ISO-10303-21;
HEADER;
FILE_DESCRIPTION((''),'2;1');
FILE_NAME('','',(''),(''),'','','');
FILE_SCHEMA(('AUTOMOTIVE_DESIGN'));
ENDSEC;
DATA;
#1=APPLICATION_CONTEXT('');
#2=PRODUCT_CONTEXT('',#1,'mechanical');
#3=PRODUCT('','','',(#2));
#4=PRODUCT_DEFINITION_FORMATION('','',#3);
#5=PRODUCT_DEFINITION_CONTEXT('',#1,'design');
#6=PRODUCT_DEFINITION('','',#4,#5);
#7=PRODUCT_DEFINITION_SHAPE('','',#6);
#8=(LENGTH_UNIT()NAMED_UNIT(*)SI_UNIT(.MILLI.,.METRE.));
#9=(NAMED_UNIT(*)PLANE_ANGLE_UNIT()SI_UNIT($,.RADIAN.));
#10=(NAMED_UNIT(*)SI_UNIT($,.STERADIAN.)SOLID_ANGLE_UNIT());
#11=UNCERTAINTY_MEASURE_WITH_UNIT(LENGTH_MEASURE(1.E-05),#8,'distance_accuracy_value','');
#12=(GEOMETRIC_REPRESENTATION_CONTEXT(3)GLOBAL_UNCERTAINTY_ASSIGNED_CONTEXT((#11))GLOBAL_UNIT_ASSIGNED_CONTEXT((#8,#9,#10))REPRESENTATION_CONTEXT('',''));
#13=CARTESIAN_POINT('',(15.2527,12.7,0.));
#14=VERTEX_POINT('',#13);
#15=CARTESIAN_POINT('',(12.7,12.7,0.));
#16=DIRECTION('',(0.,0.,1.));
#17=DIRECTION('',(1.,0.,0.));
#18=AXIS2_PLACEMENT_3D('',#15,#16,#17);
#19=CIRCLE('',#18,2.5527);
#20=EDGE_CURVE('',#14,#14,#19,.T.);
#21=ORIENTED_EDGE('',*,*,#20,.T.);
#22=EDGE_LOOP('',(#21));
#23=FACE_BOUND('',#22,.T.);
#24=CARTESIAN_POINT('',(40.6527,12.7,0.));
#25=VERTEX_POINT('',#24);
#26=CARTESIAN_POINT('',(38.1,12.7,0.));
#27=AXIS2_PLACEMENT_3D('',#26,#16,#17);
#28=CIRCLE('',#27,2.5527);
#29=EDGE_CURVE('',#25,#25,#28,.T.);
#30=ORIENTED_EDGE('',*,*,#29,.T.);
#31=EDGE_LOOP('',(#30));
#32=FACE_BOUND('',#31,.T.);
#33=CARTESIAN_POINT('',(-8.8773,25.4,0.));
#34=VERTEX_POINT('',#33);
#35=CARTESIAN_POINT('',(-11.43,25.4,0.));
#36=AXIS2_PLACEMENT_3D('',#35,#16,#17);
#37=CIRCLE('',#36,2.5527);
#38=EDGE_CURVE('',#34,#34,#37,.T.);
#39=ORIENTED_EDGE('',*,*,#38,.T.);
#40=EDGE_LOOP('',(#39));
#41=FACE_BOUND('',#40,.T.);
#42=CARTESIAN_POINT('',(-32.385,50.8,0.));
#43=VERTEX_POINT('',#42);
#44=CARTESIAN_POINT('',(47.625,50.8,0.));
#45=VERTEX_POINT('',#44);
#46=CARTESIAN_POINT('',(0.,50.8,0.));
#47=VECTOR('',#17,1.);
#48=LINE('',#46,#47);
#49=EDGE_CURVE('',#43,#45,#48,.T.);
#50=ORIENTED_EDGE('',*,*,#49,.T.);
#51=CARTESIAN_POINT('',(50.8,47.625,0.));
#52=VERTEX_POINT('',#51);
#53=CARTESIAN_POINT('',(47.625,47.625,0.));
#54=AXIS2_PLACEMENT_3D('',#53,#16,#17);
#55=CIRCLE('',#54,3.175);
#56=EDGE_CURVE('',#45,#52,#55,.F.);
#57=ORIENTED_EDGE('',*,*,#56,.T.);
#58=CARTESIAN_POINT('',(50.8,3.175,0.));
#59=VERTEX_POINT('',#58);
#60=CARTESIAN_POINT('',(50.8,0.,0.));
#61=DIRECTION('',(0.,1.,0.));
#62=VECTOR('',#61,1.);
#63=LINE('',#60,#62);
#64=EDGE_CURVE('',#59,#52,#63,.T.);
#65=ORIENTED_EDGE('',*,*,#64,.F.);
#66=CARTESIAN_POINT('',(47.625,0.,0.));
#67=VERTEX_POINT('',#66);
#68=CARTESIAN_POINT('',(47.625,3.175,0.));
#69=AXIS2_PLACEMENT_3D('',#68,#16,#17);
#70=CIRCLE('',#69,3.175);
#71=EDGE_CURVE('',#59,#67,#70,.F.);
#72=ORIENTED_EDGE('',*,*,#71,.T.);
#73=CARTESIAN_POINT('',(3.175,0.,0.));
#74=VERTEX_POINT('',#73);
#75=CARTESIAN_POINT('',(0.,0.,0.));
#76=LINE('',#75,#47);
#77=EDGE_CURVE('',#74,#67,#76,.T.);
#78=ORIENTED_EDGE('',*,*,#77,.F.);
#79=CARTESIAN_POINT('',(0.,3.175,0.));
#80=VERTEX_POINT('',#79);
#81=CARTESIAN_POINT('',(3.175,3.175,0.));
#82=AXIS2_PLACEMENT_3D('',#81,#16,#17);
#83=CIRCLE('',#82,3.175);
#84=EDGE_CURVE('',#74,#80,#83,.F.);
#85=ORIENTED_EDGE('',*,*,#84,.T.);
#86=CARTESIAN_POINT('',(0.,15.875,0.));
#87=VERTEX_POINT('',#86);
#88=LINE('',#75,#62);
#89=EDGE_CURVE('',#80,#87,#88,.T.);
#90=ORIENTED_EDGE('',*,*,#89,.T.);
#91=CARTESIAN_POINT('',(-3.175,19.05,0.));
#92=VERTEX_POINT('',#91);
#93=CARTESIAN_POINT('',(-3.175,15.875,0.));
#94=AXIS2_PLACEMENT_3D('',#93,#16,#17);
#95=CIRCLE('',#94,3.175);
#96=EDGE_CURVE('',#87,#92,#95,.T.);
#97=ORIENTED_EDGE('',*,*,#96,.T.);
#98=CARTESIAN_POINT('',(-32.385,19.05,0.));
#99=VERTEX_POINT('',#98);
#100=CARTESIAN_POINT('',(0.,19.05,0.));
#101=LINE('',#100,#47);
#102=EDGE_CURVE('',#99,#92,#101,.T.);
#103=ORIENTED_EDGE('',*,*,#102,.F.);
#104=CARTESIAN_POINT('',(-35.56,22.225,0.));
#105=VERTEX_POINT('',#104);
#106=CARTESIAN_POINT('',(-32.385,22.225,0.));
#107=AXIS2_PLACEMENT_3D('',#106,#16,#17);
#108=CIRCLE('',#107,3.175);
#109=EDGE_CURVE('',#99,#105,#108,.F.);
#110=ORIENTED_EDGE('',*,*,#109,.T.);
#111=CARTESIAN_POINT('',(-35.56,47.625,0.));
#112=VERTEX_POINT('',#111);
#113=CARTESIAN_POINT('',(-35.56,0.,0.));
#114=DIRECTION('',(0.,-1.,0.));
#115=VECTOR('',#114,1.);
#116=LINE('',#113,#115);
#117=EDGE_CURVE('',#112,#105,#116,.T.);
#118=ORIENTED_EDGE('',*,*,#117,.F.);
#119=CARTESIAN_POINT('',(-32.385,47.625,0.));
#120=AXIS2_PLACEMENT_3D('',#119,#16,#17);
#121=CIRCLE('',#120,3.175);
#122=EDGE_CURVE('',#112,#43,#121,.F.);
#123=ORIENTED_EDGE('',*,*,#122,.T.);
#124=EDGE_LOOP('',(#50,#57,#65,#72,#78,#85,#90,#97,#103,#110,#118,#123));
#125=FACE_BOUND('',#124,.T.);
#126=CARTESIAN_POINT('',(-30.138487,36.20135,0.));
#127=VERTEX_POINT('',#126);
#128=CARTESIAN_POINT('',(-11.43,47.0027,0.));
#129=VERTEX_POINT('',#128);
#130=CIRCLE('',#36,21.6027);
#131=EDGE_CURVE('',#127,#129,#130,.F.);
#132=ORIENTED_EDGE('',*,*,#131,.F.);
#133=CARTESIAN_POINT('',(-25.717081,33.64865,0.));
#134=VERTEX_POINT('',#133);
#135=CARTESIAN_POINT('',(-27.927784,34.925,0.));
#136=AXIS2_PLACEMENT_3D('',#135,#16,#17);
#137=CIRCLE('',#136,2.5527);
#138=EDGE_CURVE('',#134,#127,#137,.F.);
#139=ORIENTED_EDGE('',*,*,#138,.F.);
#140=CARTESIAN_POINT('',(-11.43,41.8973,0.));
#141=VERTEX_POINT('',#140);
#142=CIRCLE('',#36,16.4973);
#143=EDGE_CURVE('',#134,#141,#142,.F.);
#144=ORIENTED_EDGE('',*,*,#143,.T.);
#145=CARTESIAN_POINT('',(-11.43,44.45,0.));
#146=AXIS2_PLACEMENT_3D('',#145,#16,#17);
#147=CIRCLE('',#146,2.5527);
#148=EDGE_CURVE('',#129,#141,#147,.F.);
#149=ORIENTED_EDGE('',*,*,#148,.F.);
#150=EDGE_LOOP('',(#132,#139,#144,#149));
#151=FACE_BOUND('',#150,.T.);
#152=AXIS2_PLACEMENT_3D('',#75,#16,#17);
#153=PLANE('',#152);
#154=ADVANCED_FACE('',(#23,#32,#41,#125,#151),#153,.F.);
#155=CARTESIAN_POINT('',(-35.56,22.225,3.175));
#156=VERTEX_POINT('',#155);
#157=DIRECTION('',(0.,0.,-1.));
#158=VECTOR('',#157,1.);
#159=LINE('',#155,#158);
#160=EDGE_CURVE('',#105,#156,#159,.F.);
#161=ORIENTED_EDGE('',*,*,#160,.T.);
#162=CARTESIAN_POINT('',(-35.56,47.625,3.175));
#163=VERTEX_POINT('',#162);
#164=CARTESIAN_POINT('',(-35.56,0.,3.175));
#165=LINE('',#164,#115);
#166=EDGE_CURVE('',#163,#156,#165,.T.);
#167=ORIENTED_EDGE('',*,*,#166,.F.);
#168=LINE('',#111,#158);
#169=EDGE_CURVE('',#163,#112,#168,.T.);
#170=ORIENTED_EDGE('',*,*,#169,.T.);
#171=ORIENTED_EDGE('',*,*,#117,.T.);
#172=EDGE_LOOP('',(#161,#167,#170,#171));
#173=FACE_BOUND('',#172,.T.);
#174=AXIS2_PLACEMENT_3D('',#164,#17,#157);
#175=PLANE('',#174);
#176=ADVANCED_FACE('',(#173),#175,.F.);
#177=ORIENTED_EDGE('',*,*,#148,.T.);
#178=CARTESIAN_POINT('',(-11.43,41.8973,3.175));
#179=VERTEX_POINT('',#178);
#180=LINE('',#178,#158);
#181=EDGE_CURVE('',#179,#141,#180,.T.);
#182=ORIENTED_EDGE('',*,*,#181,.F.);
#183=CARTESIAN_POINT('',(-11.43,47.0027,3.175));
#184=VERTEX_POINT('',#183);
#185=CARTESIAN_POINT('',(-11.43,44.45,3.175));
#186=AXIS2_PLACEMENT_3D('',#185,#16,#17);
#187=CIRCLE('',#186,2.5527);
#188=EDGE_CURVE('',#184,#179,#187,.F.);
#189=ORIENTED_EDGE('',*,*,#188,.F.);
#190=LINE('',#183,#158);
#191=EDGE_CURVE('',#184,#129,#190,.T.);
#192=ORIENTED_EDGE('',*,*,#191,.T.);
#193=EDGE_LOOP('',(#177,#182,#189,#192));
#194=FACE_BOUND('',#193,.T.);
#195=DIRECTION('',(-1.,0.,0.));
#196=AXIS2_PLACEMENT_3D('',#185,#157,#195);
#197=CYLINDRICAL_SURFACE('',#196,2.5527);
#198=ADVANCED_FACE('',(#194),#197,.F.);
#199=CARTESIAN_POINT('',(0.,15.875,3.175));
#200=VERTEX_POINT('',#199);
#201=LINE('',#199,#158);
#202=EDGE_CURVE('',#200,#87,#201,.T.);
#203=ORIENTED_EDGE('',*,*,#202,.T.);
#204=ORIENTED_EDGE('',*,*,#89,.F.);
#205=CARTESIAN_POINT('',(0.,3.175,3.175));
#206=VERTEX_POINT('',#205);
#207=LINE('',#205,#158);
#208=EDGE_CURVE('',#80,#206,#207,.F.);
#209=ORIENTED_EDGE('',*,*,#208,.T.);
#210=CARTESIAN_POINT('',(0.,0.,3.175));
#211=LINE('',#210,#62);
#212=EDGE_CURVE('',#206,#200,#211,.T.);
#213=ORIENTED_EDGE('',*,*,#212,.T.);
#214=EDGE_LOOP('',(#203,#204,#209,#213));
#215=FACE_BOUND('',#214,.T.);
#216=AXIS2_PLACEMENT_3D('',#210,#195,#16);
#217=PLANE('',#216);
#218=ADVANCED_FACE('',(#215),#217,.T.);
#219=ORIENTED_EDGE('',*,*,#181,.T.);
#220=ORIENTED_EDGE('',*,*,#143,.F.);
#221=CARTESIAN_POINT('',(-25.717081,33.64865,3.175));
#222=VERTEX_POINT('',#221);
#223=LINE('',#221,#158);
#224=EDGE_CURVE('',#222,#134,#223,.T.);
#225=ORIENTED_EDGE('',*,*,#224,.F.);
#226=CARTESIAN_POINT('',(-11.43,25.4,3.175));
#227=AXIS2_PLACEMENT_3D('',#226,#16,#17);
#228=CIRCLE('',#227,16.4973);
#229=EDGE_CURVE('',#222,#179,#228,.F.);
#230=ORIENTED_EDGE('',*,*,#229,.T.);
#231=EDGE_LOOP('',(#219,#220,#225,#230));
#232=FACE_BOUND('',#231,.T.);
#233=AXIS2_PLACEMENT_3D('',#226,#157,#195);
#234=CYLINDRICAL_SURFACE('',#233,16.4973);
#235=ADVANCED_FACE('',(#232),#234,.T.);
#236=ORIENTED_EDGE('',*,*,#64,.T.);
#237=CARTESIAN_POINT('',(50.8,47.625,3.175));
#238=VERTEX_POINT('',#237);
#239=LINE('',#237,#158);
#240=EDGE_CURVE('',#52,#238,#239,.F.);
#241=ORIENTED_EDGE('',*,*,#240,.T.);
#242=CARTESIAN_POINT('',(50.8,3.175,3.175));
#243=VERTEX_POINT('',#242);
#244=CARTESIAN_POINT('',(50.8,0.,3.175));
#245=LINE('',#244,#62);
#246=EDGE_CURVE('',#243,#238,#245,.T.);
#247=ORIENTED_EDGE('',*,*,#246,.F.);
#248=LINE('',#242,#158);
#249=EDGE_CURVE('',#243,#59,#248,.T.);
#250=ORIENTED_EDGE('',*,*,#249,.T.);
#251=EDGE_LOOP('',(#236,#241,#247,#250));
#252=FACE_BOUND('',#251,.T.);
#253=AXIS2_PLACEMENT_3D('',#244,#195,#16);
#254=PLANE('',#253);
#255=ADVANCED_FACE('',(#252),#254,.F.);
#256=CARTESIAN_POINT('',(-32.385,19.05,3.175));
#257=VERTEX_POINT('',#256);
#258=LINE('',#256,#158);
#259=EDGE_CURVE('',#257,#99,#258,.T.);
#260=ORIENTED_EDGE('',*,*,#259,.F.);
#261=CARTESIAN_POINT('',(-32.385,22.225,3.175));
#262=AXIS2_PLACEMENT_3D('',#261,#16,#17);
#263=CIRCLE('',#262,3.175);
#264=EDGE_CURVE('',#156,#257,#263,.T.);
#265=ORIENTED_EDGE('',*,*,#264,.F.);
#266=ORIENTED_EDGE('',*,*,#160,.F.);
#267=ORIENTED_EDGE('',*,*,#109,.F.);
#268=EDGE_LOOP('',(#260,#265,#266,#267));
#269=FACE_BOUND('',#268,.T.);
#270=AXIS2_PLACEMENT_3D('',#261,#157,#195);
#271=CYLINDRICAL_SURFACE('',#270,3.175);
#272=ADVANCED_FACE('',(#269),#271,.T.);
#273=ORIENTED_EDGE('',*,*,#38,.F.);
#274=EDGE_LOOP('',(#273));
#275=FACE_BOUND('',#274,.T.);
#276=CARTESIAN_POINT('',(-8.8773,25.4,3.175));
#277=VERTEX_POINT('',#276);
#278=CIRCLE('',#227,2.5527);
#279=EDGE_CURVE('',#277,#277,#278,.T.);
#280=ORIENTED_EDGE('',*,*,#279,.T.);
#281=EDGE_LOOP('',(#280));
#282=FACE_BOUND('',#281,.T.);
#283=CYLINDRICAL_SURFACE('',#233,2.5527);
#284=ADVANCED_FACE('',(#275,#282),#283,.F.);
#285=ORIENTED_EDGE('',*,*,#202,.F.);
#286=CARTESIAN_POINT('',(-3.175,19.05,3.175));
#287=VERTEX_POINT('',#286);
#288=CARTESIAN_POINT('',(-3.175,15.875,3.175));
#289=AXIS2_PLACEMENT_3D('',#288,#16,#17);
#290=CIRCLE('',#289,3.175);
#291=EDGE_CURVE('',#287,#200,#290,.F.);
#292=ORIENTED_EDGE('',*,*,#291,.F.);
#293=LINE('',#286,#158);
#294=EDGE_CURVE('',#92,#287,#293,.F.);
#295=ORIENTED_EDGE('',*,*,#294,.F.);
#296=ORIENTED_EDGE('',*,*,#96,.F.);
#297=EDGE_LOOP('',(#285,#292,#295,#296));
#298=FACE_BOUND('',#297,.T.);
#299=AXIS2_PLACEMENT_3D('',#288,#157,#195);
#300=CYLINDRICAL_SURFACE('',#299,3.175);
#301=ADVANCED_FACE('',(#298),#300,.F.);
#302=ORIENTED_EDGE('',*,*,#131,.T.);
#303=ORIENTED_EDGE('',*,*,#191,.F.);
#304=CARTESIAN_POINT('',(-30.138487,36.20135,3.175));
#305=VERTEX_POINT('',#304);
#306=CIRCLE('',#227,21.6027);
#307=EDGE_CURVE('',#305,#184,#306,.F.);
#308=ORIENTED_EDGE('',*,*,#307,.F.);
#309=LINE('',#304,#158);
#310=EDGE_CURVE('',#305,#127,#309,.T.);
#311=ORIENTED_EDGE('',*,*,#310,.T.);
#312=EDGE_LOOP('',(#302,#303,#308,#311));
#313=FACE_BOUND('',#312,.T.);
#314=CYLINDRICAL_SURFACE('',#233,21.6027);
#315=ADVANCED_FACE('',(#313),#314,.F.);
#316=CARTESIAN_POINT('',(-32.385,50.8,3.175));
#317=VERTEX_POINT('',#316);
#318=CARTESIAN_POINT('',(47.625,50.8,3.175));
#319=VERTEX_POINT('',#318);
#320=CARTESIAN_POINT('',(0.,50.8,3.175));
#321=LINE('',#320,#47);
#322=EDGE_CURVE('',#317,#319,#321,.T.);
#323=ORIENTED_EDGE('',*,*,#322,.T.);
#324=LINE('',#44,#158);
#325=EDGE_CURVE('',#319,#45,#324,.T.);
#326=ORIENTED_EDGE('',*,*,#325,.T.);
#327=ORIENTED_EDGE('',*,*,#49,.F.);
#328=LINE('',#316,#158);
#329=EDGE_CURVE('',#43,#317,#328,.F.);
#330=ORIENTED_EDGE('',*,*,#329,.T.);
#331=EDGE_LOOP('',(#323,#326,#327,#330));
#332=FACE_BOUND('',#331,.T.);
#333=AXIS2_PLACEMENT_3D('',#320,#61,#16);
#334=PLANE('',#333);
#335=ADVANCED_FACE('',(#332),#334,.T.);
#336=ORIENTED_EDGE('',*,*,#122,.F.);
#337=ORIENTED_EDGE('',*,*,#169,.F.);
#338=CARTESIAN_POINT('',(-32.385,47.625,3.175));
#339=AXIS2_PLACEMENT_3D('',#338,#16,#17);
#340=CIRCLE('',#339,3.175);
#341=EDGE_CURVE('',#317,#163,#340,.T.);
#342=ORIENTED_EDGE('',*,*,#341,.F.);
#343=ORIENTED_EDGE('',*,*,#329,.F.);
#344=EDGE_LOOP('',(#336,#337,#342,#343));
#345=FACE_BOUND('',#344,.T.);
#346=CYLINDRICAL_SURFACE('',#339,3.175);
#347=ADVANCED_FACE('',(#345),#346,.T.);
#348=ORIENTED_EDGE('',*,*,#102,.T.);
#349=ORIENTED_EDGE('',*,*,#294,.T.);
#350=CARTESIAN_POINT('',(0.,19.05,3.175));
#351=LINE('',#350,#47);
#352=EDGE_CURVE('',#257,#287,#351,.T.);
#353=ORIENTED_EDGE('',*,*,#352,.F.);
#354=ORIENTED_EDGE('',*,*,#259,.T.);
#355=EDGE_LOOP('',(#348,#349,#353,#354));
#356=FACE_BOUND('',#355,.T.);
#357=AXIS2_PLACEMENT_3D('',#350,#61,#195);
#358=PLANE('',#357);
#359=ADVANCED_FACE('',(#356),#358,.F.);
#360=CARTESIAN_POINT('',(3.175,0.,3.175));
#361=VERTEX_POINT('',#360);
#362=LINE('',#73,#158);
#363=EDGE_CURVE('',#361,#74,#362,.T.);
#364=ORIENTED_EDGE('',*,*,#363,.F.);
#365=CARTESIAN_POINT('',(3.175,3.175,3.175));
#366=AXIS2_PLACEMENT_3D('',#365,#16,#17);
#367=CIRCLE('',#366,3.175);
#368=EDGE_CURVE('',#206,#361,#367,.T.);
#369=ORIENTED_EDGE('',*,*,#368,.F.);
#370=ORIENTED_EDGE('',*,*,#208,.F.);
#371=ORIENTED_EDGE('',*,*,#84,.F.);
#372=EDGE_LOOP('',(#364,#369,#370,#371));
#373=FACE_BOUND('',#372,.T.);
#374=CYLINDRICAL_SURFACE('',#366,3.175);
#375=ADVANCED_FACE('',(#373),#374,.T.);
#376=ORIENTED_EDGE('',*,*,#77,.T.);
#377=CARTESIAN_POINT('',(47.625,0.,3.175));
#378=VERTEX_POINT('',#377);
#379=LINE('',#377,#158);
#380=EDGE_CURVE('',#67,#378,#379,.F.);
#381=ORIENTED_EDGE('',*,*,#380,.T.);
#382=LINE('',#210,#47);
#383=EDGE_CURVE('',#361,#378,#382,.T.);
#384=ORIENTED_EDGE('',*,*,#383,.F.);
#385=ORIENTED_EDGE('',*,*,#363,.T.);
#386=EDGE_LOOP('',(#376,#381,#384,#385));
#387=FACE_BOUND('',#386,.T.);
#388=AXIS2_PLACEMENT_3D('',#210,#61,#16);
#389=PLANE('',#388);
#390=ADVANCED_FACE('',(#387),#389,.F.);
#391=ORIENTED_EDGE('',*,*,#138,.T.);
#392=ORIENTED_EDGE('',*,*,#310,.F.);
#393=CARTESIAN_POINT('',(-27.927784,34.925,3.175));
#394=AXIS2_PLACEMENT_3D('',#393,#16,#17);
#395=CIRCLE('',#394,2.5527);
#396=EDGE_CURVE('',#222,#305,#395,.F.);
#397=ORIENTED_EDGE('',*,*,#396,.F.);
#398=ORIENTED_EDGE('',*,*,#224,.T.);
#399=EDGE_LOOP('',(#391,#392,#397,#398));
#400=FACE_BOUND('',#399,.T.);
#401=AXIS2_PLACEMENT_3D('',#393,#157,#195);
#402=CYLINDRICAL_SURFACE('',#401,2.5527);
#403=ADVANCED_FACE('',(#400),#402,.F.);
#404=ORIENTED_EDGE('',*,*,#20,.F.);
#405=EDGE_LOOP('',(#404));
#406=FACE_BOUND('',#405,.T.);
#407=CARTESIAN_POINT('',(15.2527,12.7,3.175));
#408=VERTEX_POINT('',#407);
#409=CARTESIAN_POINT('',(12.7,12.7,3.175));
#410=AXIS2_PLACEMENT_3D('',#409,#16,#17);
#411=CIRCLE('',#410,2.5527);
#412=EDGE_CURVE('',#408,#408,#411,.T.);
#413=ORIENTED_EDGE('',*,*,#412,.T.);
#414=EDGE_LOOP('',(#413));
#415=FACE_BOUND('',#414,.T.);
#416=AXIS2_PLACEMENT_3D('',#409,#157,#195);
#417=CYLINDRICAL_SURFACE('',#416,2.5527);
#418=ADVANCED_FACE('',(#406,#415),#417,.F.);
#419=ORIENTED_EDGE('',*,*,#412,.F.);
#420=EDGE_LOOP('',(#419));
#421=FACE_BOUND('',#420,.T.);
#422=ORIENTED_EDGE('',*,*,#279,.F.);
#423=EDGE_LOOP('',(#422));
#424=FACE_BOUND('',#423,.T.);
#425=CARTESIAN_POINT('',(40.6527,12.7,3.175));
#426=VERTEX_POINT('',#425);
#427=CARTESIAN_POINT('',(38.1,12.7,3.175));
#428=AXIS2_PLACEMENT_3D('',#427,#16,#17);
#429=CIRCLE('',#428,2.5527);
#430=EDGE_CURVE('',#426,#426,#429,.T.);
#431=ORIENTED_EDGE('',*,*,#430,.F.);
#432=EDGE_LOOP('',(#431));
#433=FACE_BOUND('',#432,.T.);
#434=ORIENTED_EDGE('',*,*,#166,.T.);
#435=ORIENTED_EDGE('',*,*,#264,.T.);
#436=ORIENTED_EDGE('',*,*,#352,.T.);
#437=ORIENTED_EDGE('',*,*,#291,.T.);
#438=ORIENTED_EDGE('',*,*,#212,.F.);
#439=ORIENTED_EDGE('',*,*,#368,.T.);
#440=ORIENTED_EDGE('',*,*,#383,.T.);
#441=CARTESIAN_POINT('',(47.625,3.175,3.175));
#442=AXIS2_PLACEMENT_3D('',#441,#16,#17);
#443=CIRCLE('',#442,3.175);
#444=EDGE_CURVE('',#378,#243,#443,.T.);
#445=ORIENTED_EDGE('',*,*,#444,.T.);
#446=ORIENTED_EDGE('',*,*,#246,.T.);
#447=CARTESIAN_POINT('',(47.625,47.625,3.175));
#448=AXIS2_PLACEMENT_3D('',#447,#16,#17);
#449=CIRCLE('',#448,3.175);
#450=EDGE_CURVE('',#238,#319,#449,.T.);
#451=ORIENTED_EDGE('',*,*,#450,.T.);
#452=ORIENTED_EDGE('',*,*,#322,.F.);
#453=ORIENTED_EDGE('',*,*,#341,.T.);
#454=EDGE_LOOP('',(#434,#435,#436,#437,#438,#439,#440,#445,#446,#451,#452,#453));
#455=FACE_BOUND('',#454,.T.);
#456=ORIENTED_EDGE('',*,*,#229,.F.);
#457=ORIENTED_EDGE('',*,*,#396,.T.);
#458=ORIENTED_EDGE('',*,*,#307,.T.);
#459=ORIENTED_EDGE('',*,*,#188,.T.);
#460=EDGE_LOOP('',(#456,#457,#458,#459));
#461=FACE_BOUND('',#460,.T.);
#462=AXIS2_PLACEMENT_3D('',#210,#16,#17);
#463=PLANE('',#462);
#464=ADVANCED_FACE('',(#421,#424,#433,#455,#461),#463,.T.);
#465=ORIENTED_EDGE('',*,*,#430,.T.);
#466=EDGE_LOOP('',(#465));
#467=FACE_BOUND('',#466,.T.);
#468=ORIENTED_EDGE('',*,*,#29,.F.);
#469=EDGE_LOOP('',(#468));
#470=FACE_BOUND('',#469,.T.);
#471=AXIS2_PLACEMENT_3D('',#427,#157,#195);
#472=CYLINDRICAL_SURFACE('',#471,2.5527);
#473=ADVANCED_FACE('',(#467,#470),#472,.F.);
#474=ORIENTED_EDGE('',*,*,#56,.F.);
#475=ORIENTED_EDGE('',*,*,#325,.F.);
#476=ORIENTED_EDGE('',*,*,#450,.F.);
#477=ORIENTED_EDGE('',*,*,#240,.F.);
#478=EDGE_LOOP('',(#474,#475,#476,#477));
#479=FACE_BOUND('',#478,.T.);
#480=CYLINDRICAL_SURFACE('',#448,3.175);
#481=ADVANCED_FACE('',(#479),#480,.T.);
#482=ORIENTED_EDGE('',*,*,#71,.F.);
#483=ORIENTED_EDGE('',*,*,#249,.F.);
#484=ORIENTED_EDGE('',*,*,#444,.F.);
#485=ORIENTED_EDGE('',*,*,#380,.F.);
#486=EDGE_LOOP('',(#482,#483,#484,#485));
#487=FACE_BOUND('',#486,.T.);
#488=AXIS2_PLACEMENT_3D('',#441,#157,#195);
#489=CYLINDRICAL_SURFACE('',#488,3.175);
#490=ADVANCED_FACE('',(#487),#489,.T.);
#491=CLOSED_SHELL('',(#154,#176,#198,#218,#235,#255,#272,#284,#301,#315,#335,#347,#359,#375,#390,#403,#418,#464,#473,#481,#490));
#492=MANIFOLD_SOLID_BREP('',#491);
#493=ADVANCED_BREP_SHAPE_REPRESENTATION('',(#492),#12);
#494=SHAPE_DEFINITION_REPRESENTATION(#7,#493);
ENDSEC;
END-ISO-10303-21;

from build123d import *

# Parameters (mm, degrees)
SKETCH1_W           = 50.8
SKETCH1_H           = 50.8
SKETCH1_R           = 2.5527
SKETCH1_W_2         = 35.56
SKETCH1_H_2         = 31.75
BOSS_EXTRUDE1_DEPTH = 3.175
FILLET1_R           = 3.175


with BuildPart() as part:
    # Sketch1 → Boss-Extrude1 (new body)
    # profile 1 of 2: a face of its own
    with BuildSketch(Plane.XY):
        with Locations((25.4, 25.4)):
            Rectangle(SKETCH1_W, SKETCH1_H)
        with Locations((38.1, 12.7)):
            Circle(SKETCH1_R, mode=Mode.SUBTRACT)
        with Locations((12.7, 12.7)):
            Circle(SKETCH1_R, mode=Mode.SUBTRACT)
    # profile 2 of 2: a face of its own
    with BuildSketch(Plane.XY):
        with Locations((-17.78, 34.925)):
            Rectangle(SKETCH1_W_2, SKETCH1_H_2)
        with Locations((-11.43, 25.4)):
            Circle(SKETCH1_R, mode=Mode.SUBTRACT)
        with BuildLine():
            ThreePointArc((-25.717080894, 33.64865), (-29.204133942, 32.714296952), (-30.13848699, 36.20135))
            ThreePointArc((-30.13848699, 36.20135), (-22.23135, 44.10848699), (-11.43, 47.0027))
            ThreePointArc((-11.43, 47.0027), (-8.8773, 44.45), (-11.43, 41.8973))
            ThreePointArc((-11.43, 41.8973), (-19.67865, 39.687080894), (-25.717080894, 33.64865))
        make_face(mode=Mode.SUBTRACT)
    extrude(amount=BOSS_EXTRUDE1_DEPTH)

    # Fillet1
    fillet1_edges = [part.edges().sort_by_distance(p)[0] for p in [
        (0, 0, 1.5875),
        (0, 19.05, 1.5875),
        (-35.56, 19.05, 1.5875),
        (-35.56, 50.8, 1.5875),
        (50.8, 50.8, 1.5875),
        (50.8, 0, 1.5875),
    ]]
    fillet(fillet1_edges, radius=FILLET1_R)


solid = part.part
